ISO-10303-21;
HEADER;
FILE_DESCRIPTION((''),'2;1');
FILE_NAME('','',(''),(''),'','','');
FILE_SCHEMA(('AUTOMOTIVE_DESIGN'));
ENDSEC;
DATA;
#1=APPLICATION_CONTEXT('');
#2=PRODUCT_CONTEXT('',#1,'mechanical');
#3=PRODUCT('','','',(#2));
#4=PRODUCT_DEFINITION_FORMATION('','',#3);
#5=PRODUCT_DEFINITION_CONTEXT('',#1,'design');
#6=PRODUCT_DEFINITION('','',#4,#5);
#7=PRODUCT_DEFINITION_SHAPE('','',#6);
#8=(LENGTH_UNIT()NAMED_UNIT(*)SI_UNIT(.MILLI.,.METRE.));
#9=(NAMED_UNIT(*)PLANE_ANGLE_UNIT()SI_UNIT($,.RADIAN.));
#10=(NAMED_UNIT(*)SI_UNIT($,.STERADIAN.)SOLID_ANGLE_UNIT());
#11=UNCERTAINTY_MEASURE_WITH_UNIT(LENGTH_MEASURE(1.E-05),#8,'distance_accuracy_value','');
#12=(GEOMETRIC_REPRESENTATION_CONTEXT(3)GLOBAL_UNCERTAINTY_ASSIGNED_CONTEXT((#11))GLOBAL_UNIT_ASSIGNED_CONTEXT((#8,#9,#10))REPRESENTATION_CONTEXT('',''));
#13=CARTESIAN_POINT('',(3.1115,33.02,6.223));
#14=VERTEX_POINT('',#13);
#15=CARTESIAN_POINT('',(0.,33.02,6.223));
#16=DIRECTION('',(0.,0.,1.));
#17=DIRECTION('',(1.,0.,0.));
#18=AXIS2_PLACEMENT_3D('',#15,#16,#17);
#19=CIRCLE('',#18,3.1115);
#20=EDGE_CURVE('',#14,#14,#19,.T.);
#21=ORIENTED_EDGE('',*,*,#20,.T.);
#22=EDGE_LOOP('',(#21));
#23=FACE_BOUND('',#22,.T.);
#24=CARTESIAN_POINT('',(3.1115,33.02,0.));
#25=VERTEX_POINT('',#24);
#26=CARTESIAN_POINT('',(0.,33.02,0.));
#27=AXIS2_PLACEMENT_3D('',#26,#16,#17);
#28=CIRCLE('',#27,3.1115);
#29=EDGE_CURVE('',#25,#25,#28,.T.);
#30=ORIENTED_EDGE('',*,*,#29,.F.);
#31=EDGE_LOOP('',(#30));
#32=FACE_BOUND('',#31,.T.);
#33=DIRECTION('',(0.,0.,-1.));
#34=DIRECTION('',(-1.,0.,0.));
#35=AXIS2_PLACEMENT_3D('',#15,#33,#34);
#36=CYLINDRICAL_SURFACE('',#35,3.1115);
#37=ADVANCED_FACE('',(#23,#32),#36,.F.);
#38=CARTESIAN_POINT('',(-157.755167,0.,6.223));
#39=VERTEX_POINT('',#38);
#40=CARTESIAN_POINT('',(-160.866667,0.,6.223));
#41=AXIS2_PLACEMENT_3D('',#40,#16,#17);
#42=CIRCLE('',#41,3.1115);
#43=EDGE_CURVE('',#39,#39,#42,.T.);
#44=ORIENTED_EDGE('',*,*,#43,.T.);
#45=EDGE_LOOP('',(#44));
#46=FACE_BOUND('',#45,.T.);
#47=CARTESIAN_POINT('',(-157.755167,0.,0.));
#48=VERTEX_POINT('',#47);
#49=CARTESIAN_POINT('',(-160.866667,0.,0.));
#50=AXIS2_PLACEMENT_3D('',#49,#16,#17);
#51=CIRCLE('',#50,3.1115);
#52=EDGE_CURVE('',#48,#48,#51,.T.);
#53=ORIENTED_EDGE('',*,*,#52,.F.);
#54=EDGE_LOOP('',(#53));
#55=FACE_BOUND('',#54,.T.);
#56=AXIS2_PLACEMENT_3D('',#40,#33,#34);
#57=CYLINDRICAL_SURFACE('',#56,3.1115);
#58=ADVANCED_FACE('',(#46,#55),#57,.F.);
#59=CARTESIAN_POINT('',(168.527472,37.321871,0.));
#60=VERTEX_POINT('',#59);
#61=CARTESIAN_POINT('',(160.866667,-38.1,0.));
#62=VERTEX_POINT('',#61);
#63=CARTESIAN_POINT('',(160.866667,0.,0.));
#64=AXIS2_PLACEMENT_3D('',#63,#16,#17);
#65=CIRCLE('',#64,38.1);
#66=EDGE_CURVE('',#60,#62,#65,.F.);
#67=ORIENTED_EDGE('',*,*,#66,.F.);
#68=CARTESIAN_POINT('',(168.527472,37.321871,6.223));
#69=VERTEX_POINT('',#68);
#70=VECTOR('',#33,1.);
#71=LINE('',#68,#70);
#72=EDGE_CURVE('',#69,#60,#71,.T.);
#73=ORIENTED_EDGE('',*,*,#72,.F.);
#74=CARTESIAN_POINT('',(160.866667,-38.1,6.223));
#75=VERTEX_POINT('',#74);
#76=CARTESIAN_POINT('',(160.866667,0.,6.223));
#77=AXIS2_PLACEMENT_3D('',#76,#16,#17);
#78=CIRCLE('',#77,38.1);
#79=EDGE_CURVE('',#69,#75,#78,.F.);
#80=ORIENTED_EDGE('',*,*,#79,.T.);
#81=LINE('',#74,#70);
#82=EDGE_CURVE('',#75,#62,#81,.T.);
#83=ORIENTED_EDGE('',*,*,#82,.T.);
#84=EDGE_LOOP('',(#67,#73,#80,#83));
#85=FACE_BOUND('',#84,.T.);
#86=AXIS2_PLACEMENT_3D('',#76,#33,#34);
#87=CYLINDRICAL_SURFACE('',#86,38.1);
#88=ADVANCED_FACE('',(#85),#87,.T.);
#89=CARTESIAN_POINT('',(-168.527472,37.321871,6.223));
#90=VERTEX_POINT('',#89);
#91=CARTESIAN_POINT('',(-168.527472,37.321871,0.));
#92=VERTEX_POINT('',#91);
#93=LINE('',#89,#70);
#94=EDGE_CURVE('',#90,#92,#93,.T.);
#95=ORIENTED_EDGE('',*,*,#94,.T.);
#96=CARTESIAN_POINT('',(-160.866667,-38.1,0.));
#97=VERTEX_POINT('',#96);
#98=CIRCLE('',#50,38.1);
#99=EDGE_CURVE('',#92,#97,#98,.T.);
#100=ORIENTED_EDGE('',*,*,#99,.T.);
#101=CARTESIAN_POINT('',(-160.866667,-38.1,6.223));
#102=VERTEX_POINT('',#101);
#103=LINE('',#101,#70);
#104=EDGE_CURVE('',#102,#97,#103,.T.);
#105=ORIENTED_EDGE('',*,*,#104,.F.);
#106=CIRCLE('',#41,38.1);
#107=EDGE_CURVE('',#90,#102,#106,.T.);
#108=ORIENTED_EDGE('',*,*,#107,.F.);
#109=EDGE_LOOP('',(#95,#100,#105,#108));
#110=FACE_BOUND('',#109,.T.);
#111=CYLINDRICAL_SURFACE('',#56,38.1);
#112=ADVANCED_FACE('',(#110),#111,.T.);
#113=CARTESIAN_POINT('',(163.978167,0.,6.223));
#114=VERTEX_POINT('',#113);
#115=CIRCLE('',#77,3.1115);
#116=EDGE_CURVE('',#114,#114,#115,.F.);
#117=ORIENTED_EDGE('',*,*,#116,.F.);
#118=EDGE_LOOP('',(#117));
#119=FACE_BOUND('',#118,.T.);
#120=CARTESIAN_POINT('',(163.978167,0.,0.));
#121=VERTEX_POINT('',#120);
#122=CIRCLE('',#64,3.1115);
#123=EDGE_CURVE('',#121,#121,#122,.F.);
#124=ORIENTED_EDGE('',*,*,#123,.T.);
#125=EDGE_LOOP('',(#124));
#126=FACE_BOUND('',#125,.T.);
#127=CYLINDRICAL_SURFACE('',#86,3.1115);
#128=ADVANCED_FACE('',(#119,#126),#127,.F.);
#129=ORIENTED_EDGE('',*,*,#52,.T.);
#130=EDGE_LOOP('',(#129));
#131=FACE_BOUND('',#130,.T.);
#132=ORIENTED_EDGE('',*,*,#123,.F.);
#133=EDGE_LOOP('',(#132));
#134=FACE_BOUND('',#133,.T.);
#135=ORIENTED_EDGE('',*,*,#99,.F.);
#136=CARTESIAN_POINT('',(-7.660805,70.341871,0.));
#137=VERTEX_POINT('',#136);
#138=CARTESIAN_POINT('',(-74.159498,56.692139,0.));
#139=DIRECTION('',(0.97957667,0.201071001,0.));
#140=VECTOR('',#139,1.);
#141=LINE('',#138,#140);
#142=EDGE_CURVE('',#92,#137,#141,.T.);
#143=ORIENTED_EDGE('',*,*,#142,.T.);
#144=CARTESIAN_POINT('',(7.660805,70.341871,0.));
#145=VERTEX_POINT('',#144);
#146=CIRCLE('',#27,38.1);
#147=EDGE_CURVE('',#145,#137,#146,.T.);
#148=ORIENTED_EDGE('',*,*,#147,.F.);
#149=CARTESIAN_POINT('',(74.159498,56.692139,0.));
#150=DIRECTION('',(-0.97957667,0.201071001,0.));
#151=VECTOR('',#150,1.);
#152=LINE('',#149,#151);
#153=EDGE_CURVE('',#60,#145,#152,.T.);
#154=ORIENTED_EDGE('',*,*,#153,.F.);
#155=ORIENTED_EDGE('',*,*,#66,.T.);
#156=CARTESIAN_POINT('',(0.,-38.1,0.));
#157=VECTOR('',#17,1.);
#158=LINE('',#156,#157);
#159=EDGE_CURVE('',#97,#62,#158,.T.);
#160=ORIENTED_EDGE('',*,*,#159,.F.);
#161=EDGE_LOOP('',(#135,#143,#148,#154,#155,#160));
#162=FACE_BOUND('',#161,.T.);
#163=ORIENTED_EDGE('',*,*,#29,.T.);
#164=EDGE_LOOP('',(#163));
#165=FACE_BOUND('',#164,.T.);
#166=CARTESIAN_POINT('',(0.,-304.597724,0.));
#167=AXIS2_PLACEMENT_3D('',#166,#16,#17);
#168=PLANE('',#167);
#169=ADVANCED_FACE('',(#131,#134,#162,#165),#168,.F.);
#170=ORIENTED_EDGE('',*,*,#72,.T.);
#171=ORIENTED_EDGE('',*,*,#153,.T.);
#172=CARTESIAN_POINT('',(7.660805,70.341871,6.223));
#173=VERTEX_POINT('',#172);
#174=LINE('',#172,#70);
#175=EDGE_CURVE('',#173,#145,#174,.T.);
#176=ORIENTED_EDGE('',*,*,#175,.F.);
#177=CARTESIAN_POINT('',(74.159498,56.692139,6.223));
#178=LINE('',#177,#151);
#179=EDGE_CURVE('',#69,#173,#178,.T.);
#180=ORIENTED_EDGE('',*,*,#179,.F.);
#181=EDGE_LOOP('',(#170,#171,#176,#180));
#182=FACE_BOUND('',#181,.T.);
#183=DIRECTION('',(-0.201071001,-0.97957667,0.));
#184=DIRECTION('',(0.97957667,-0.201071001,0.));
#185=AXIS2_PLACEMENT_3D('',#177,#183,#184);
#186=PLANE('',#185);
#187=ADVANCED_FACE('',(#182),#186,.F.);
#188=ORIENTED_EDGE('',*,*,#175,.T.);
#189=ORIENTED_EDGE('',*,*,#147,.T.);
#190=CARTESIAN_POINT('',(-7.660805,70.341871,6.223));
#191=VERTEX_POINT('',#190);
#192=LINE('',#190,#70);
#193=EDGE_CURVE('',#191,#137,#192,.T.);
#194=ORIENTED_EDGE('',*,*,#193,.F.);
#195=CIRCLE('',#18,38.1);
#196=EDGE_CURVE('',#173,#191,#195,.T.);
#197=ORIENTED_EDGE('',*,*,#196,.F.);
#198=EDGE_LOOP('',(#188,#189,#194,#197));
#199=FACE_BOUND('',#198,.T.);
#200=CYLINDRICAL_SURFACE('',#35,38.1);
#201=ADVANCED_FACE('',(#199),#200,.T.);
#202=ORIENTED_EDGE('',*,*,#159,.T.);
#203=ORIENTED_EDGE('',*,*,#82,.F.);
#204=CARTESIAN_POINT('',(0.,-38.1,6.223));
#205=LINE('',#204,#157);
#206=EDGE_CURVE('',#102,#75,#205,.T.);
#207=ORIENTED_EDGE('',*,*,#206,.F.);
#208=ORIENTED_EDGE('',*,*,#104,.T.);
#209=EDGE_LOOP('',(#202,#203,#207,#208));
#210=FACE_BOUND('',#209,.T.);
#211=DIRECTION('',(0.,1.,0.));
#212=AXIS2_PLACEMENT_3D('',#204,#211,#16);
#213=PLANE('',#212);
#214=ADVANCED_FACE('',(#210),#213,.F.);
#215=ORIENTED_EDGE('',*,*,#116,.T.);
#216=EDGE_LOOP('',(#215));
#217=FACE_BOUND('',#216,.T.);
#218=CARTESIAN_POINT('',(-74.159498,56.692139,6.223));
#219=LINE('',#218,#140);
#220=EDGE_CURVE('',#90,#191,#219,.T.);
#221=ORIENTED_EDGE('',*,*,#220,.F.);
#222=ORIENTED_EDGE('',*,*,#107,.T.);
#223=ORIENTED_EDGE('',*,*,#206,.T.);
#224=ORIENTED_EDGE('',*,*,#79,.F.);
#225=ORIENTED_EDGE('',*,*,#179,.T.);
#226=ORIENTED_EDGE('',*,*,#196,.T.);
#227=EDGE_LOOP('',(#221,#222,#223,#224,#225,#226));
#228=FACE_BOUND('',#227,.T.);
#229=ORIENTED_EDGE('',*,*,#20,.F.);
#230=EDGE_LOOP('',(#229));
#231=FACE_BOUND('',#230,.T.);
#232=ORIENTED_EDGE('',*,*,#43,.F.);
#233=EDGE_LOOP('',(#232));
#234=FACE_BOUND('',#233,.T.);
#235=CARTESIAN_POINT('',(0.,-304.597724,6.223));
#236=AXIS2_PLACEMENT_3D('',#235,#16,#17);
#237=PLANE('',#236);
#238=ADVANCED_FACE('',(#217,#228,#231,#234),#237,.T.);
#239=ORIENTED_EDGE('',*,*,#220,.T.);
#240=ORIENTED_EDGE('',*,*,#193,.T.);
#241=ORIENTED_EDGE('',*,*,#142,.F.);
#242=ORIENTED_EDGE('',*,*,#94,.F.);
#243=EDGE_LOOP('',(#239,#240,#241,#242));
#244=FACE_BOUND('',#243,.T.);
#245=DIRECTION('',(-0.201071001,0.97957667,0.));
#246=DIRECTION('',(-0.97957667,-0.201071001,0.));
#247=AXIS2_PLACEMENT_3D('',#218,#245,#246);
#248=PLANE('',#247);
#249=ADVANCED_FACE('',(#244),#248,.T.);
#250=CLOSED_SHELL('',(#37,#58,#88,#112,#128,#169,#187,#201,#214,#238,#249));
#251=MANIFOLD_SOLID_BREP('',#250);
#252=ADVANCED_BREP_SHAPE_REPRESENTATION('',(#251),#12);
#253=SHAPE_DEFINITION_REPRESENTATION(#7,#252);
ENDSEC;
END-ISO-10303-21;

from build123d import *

# Parameters (mm, degrees)
SKETCH1_R           = 3.1115
BOSS_EXTRUDE1_DEPTH = 6.223


with BuildPart() as part:
    # Sketch1 → Boss-Extrude1 (new body)
    with BuildSketch(Plane.XY):
        with BuildLine():
            ThreePointArc((-168.527471794, 37.321871132), (-198.771635273, -3.850111029), (-160.866666667, -38.1))
            Line((-160.866666667, -38.1), (160.866666667, -38.1))
            ThreePointArc((160.866666667, -38.1), (198.771635273, -3.850111029), (168.527471794, 37.321871132))
            Line((168.527471794, 37.321871132), (7.660805127, 70.341871132))
            ThreePointArc((7.660805127, 70.341871132), (0, 71.12), (-7.660805127, 70.341871132))
            Line((-7.660805127, 70.341871132), (-168.527471794, 37.321871132))
        make_face()
        with Locations((-160.866666667, 0)):
            Circle(SKETCH1_R, mode=Mode.SUBTRACT)
        with Locations((160.866666667, 0)):
            Circle(SKETCH1_R, mode=Mode.SUBTRACT)
        with Locations((0, 33.02)):
            Circle(SKETCH1_R, mode=Mode.SUBTRACT)
    extrude(amount=BOSS_EXTRUDE1_DEPTH)


solid = part.part
